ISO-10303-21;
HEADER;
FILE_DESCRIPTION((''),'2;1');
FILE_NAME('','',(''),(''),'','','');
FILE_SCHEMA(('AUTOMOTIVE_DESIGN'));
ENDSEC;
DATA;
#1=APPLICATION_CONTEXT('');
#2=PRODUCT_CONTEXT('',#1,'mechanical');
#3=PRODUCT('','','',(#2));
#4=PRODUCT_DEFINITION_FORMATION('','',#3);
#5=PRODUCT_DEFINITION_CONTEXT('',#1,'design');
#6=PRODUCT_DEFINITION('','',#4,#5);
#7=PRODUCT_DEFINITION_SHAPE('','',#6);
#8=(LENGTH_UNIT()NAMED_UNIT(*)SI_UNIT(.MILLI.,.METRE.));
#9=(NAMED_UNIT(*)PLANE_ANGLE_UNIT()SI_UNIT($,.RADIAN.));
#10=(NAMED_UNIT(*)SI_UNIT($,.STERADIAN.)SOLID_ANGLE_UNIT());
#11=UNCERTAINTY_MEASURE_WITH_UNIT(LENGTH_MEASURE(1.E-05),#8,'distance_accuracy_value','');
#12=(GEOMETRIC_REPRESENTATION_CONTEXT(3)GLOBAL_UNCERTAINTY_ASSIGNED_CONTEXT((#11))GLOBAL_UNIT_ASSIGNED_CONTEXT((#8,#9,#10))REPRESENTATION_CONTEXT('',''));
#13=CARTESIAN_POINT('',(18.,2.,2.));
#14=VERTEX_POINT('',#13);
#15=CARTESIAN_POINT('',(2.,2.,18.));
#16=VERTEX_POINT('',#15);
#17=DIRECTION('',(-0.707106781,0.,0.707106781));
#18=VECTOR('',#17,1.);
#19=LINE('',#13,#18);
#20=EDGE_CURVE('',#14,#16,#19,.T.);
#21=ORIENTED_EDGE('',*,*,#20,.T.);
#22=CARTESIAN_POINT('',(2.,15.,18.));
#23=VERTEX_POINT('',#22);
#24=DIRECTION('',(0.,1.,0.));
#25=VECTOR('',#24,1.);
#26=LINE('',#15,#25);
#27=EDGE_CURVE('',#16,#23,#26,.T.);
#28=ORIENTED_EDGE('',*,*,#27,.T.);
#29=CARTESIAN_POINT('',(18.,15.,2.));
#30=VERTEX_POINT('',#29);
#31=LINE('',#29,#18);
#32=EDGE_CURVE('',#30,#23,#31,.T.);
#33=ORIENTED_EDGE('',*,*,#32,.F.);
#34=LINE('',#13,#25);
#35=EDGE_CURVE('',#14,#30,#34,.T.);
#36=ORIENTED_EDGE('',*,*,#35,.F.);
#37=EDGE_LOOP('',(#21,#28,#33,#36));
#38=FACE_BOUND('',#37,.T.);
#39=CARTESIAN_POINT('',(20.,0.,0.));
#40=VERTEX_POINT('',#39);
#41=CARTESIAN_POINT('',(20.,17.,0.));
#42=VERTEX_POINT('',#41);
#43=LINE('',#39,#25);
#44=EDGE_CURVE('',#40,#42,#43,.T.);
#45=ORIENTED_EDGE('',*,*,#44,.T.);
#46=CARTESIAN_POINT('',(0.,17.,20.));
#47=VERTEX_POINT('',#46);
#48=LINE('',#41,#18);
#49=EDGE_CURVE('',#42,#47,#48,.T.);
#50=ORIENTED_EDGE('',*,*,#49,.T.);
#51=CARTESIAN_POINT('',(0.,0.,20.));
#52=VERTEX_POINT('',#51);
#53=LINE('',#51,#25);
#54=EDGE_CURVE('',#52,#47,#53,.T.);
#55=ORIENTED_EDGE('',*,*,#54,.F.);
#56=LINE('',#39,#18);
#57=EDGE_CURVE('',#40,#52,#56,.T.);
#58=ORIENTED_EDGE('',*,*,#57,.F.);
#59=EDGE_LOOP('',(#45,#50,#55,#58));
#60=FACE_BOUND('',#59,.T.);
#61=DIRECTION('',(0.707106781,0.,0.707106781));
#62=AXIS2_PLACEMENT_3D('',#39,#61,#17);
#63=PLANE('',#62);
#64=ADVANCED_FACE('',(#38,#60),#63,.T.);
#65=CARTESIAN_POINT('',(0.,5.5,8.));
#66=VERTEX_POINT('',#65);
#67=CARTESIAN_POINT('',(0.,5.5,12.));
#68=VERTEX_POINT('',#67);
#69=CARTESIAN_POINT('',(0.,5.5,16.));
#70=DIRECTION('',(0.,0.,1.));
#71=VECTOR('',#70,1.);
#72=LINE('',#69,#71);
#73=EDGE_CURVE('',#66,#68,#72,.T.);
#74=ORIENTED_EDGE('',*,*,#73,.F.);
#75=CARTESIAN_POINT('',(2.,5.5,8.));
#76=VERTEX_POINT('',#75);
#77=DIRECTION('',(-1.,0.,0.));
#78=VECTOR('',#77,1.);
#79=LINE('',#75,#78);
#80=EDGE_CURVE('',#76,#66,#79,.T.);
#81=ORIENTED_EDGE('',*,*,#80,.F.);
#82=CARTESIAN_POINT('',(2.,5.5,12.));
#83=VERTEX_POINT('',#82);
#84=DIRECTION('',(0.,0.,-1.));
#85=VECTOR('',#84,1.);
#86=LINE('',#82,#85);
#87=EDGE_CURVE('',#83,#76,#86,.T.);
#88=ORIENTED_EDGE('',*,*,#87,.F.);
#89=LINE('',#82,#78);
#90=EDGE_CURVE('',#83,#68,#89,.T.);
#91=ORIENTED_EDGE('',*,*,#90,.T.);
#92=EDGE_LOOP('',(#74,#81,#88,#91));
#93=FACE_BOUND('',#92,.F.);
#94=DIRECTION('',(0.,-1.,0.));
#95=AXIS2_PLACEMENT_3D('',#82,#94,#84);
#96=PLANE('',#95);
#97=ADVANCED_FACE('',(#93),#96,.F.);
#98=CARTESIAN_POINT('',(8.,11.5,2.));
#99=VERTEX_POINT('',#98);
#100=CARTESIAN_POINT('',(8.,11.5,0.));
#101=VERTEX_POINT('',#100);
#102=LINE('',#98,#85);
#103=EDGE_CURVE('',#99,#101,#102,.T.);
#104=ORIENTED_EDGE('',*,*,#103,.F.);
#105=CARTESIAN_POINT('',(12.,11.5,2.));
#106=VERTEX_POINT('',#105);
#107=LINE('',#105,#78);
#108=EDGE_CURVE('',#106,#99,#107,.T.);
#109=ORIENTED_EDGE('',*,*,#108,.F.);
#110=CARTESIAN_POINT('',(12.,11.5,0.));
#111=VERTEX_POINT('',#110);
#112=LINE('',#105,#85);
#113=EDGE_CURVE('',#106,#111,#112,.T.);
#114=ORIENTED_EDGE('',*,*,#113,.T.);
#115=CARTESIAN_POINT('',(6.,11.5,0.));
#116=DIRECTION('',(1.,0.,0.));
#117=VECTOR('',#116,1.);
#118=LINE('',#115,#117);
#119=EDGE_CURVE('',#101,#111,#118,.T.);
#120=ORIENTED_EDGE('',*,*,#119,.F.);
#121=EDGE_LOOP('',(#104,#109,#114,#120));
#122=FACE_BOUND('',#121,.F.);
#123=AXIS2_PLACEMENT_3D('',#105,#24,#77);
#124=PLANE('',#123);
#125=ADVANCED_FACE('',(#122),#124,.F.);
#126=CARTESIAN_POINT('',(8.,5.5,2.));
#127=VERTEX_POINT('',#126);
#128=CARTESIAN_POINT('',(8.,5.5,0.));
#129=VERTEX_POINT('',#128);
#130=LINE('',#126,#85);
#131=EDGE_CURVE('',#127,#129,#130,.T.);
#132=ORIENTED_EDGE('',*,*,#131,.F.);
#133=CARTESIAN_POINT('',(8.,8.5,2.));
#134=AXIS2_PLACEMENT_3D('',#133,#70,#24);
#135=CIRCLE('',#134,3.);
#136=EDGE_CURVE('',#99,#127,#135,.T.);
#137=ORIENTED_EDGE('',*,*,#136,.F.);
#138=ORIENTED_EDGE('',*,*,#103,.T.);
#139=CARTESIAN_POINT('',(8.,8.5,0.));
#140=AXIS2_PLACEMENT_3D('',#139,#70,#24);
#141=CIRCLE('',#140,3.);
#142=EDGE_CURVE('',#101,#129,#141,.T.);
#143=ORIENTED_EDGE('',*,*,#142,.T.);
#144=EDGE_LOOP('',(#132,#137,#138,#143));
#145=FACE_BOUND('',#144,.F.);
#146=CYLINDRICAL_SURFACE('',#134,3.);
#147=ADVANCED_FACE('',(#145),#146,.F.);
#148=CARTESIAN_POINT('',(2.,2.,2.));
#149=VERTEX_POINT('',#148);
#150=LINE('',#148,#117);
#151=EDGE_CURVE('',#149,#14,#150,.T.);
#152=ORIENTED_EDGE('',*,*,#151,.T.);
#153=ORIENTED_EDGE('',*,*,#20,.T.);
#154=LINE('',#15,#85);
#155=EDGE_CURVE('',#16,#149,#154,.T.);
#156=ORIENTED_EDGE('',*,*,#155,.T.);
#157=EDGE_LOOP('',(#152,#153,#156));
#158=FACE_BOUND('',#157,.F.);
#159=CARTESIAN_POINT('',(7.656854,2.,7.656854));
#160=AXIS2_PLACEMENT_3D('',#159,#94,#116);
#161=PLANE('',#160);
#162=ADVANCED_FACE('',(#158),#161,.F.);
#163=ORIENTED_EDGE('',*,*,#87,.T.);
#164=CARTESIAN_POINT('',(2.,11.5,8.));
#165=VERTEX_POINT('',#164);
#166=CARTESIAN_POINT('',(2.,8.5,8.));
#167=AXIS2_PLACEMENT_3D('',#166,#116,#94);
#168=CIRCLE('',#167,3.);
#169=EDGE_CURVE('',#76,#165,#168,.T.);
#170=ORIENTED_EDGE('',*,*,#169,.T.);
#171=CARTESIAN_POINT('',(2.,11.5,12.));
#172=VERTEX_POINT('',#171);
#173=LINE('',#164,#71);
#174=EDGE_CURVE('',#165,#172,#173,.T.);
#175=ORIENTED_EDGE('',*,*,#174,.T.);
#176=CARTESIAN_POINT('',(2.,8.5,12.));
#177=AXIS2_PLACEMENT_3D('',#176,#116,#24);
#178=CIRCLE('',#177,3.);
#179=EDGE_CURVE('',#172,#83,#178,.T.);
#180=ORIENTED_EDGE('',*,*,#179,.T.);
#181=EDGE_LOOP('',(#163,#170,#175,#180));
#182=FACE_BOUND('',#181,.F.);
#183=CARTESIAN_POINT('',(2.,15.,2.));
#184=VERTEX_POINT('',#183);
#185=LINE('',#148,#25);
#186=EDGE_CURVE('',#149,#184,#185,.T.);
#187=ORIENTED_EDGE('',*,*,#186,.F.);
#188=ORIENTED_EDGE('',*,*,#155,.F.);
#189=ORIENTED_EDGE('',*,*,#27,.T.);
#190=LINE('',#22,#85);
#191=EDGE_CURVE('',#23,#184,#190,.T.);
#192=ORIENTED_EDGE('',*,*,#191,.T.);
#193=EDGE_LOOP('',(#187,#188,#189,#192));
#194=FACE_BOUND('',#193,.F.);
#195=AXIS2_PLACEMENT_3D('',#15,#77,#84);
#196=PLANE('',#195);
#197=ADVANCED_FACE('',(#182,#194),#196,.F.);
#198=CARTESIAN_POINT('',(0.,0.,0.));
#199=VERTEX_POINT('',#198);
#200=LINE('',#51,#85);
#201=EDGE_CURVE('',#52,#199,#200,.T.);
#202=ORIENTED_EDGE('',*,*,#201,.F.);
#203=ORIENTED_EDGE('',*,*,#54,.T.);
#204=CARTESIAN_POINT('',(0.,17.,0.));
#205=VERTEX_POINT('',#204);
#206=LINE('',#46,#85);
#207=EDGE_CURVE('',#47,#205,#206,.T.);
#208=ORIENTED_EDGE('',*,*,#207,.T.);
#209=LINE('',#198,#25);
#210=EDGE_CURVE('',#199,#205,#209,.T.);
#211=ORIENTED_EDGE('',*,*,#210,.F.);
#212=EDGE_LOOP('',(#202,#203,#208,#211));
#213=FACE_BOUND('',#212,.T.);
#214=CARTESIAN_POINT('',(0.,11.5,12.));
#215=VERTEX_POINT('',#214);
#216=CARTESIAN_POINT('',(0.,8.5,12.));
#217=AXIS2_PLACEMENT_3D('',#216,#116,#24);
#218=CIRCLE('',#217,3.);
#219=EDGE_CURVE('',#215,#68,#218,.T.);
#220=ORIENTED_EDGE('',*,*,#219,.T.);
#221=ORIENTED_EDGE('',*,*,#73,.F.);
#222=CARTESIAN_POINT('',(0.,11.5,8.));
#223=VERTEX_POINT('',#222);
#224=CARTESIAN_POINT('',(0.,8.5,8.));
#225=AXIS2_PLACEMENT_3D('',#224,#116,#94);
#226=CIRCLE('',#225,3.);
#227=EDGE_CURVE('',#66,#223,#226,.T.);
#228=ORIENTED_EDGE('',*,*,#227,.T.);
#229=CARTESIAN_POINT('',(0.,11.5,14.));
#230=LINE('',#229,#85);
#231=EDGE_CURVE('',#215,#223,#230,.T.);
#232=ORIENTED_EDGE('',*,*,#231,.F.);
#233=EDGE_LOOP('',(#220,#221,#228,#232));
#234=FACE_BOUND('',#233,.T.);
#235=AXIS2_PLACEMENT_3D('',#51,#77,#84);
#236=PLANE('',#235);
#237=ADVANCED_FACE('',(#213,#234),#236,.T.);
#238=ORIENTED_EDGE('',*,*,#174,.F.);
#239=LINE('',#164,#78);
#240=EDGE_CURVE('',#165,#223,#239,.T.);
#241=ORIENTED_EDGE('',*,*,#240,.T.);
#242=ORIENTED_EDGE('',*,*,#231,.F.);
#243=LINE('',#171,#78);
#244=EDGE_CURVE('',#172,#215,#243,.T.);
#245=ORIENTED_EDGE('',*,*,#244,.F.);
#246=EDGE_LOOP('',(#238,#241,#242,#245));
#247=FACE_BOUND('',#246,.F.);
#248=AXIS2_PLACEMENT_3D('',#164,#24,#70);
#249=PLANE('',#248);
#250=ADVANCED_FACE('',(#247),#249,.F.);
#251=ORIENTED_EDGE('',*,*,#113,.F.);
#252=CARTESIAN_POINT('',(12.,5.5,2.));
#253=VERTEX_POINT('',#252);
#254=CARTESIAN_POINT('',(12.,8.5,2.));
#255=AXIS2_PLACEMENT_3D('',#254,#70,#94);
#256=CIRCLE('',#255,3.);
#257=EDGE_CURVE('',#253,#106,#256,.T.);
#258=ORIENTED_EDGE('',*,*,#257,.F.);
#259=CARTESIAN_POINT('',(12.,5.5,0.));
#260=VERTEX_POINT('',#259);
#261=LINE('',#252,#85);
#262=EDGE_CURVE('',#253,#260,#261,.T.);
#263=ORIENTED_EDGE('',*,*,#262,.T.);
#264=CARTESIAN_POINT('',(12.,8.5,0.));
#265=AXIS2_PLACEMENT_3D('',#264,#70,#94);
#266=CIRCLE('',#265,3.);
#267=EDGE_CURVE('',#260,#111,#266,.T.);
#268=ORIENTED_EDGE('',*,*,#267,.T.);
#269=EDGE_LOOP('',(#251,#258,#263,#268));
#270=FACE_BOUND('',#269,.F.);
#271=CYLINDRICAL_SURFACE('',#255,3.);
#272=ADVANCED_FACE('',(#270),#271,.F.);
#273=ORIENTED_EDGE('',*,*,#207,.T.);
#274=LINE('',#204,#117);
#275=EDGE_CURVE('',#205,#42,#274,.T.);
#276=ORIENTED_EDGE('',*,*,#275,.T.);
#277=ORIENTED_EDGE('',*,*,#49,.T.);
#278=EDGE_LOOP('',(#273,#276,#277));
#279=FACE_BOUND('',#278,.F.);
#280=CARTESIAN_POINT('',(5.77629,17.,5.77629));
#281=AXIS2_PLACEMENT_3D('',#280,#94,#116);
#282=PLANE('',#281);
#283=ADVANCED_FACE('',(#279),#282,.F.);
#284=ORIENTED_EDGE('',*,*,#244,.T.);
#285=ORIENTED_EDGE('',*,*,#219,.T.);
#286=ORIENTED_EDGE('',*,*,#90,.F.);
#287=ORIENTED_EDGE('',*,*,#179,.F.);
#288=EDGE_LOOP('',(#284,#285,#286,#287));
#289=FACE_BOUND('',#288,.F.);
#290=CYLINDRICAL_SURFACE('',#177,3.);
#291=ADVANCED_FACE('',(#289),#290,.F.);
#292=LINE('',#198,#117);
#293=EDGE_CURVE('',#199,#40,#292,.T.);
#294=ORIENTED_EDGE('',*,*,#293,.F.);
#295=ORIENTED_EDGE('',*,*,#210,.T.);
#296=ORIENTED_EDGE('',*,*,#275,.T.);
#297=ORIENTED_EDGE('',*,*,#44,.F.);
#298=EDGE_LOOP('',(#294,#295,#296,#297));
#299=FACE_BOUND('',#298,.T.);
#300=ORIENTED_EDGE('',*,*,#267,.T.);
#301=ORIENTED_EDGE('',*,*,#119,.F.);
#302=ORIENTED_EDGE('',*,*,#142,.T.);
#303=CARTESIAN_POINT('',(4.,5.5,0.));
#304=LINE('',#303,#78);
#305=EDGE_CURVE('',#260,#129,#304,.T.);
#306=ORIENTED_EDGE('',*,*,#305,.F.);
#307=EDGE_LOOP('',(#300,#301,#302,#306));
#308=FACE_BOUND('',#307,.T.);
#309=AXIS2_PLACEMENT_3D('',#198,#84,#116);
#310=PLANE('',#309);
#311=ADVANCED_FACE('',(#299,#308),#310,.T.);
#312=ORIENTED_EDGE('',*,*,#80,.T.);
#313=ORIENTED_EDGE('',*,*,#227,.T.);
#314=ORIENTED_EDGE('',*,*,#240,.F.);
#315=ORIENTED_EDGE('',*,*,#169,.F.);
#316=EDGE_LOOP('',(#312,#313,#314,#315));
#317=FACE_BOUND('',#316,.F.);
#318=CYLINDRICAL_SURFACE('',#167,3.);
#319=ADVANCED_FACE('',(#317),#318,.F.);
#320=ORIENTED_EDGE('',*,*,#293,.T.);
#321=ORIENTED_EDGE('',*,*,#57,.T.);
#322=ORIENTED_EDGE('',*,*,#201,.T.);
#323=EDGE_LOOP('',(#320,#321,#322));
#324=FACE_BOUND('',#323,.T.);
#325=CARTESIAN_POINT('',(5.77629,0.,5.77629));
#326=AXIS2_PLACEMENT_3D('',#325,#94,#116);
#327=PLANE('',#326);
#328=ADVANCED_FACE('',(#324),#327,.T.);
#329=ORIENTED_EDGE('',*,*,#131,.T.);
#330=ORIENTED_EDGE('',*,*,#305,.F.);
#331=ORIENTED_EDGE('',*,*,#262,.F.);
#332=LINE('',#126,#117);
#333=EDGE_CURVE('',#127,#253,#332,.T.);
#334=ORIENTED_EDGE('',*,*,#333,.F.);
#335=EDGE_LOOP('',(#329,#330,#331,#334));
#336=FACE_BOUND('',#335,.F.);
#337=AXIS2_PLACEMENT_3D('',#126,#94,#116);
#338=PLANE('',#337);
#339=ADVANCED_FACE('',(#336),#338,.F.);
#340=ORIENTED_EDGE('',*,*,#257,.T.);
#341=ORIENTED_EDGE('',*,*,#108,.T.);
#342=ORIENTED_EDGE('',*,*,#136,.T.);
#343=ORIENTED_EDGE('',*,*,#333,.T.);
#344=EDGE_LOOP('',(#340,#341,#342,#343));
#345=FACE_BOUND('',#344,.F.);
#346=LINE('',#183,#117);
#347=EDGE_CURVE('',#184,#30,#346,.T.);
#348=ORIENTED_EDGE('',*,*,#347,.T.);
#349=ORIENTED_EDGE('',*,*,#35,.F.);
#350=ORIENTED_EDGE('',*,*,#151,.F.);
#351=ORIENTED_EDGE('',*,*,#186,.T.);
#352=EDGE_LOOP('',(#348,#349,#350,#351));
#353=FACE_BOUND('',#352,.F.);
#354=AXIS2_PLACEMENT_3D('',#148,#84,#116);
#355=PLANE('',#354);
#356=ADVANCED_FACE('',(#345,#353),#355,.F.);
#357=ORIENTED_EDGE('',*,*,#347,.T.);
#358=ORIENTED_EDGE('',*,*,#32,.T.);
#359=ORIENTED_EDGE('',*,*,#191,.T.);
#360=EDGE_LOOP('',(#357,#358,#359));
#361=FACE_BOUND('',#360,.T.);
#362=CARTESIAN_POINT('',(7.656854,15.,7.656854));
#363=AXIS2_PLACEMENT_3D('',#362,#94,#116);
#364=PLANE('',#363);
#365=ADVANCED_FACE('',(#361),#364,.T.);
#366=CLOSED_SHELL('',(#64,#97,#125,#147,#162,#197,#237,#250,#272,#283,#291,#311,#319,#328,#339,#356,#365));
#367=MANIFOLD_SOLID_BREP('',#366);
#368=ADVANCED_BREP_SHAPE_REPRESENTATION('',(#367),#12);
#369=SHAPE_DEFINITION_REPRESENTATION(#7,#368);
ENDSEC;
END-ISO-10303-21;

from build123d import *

# Parameters (mm, degrees)
F1_DEPTH = 17
F4_DEPTH = 13
F6_DEPTH = 2.001
F8_DEPTH = 2.001


with BuildPart() as f1:
    # F0 (on Front) → F1 (new body)
    with BuildSketch(Plane.XZ):
        Polygon((0, 20), (0, 0), (20, 0), (18, 2), (2, 2), (2, 18), align=None)
        Polygon((18, 2), (2, 18), (2, 2), align=None)
    extrude(amount=-F1_DEPTH)

    # F3 (on offset) → F4 (cut)
    with BuildSketch(Plane.XZ.offset(-2)):
        Polygon((2, 2), (18, 2), (2, 18), align=None)
    extrude(amount=-F4_DEPTH, mode=Mode.SUBTRACT)

    # F5 (on face) → F6 (cut, through all)
    with BuildSketch(Plane.YZ.offset(2)):
        with BuildLine():
            ThreePointArc((11.5, 12), (8.5, 15), (5.5, 12))
            Line((5.5, 12), (5.5, 8))
            ThreePointArc((5.5, 8), (8.5, 5), (11.5, 8))
            Line((11.5, 8), (11.5, 12))
        make_face()
    extrude(amount=-F6_DEPTH, mode=Mode.SUBTRACT)

    # F7 (on face) → F8 (cut, through all)
    with BuildSketch(Plane.XY.offset(2)):
        with BuildLine():
            ThreePointArc((8, 11.5), (5, 8.5), (8, 5.5))
            Line((8, 5.5), (12, 5.5))
            ThreePointArc((12, 5.5), (15, 8.5), (12, 11.5))
            Line((12, 11.5), (8, 11.5))
        make_face()
    extrude(amount=-F8_DEPTH, mode=Mode.SUBTRACT)


solid = f1.part
